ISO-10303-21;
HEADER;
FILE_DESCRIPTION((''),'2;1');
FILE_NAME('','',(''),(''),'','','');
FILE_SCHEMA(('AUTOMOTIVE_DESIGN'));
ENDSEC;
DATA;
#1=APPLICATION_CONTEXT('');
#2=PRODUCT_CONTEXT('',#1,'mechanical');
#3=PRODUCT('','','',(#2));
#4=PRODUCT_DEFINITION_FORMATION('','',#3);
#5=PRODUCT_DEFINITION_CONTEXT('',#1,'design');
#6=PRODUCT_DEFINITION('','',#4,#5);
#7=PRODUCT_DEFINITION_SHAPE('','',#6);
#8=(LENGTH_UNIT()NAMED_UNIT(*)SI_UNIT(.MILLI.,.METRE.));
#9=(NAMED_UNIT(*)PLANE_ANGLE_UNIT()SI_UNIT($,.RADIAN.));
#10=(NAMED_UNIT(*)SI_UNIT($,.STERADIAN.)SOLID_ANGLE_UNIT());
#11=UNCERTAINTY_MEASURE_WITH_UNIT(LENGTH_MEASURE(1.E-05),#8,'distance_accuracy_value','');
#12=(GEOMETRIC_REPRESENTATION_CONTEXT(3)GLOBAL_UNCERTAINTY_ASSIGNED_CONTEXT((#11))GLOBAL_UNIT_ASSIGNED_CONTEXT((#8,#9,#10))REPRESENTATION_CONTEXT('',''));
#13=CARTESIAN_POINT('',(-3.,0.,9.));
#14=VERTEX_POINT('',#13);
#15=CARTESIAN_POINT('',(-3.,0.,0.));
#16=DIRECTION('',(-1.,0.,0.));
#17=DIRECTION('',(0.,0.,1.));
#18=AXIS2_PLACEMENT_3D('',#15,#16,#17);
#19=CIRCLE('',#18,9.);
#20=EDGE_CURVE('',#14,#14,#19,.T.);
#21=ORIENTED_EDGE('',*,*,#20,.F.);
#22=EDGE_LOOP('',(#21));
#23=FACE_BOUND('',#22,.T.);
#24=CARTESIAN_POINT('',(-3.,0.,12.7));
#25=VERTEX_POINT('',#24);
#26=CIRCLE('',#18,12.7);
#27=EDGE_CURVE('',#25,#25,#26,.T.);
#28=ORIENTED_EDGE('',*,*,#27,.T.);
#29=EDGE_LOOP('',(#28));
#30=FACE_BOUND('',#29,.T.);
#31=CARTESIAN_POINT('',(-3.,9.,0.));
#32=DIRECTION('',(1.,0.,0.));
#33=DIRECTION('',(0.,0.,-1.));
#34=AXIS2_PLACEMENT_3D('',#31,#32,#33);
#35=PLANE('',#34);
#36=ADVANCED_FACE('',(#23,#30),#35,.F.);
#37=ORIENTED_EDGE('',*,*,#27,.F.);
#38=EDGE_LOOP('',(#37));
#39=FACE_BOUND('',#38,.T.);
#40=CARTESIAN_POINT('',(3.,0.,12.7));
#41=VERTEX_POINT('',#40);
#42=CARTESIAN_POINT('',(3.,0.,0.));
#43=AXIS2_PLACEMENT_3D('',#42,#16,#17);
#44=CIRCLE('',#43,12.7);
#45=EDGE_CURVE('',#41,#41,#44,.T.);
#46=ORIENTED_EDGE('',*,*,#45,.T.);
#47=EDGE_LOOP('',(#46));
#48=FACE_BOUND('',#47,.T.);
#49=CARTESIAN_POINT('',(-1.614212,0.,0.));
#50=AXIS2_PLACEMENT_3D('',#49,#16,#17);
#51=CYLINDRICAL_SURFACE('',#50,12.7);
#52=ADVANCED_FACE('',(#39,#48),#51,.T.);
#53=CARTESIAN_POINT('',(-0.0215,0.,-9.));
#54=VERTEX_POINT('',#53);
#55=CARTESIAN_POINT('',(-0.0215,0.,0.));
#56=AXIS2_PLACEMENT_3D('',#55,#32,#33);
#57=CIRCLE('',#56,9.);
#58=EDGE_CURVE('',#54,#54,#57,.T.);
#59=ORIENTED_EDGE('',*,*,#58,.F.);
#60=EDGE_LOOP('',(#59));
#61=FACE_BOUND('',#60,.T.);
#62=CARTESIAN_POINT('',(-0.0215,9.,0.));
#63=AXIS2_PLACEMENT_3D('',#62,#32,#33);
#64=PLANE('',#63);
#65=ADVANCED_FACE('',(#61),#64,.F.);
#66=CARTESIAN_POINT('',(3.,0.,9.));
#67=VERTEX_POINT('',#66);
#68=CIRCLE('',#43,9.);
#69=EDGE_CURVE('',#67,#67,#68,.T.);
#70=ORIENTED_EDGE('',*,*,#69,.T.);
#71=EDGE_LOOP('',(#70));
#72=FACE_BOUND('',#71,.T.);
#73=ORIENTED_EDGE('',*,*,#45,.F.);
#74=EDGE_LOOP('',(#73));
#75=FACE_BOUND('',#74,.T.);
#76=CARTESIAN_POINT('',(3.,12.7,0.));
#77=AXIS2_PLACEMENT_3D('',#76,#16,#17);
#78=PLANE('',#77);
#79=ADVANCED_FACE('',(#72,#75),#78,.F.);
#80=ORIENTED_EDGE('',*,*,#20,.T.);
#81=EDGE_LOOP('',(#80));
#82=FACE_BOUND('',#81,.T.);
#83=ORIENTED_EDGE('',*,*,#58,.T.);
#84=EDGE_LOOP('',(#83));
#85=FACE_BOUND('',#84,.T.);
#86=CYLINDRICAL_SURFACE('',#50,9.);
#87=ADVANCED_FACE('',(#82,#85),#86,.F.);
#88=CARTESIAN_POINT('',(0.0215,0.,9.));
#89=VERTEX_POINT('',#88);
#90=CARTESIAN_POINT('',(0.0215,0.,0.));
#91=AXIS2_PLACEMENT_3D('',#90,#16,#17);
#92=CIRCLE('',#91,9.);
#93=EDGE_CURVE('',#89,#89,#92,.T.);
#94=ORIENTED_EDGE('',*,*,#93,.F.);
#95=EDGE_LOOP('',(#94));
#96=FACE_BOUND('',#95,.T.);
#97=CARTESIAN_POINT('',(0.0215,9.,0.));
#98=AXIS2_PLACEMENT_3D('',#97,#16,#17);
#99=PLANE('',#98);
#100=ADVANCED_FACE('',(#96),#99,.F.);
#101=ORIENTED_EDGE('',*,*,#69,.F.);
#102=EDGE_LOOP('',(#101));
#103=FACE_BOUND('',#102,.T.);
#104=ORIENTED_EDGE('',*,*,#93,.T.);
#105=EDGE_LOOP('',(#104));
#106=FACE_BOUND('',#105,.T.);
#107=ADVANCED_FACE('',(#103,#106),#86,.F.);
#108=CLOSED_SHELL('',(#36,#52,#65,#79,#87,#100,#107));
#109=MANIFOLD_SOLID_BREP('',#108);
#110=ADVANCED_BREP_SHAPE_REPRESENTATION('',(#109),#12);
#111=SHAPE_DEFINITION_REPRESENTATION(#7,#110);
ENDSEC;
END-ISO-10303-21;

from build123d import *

# Parameters (mm, degrees)
SKETCH_1_W = 0.043
SKETCH_1_H = 9
SKETCH_4_W = 6
SKETCH_4_H = 3.7


with BuildPart() as part:
    # 草图1 → 旋转2 (revolve)
    with BuildSketch(Plane.XY, mode=Mode.PRIVATE) as revolve_2_sk:
        with Locations((0, 4.5)):
            Rectangle(SKETCH_1_W, SKETCH_1_H)
    revolve(revolve_2_sk.sketch.rotate(Axis((-0.0215, 0, 0), (1, 0, 0)), 90), axis=Axis((-0.0215, 0, 0), (1, 0, 0)))  # turned: the seam where the file's is

    # 草图4 → 旋转3 (revolve)
    with BuildSketch(Plane.XY, mode=Mode.PRIVATE) as revolve_3_sk:
        with Locations((0, 10.85)):
            Rectangle(SKETCH_4_W, SKETCH_4_H)
    revolve(revolve_3_sk.sketch.rotate(Axis((-1.614212419, 0, 0), (1, 0, 0)), 90), axis=Axis((-1.614212419, 0, 0), (1, 0, 0)))  # turned: the seam where the file's is


solid = part.part
